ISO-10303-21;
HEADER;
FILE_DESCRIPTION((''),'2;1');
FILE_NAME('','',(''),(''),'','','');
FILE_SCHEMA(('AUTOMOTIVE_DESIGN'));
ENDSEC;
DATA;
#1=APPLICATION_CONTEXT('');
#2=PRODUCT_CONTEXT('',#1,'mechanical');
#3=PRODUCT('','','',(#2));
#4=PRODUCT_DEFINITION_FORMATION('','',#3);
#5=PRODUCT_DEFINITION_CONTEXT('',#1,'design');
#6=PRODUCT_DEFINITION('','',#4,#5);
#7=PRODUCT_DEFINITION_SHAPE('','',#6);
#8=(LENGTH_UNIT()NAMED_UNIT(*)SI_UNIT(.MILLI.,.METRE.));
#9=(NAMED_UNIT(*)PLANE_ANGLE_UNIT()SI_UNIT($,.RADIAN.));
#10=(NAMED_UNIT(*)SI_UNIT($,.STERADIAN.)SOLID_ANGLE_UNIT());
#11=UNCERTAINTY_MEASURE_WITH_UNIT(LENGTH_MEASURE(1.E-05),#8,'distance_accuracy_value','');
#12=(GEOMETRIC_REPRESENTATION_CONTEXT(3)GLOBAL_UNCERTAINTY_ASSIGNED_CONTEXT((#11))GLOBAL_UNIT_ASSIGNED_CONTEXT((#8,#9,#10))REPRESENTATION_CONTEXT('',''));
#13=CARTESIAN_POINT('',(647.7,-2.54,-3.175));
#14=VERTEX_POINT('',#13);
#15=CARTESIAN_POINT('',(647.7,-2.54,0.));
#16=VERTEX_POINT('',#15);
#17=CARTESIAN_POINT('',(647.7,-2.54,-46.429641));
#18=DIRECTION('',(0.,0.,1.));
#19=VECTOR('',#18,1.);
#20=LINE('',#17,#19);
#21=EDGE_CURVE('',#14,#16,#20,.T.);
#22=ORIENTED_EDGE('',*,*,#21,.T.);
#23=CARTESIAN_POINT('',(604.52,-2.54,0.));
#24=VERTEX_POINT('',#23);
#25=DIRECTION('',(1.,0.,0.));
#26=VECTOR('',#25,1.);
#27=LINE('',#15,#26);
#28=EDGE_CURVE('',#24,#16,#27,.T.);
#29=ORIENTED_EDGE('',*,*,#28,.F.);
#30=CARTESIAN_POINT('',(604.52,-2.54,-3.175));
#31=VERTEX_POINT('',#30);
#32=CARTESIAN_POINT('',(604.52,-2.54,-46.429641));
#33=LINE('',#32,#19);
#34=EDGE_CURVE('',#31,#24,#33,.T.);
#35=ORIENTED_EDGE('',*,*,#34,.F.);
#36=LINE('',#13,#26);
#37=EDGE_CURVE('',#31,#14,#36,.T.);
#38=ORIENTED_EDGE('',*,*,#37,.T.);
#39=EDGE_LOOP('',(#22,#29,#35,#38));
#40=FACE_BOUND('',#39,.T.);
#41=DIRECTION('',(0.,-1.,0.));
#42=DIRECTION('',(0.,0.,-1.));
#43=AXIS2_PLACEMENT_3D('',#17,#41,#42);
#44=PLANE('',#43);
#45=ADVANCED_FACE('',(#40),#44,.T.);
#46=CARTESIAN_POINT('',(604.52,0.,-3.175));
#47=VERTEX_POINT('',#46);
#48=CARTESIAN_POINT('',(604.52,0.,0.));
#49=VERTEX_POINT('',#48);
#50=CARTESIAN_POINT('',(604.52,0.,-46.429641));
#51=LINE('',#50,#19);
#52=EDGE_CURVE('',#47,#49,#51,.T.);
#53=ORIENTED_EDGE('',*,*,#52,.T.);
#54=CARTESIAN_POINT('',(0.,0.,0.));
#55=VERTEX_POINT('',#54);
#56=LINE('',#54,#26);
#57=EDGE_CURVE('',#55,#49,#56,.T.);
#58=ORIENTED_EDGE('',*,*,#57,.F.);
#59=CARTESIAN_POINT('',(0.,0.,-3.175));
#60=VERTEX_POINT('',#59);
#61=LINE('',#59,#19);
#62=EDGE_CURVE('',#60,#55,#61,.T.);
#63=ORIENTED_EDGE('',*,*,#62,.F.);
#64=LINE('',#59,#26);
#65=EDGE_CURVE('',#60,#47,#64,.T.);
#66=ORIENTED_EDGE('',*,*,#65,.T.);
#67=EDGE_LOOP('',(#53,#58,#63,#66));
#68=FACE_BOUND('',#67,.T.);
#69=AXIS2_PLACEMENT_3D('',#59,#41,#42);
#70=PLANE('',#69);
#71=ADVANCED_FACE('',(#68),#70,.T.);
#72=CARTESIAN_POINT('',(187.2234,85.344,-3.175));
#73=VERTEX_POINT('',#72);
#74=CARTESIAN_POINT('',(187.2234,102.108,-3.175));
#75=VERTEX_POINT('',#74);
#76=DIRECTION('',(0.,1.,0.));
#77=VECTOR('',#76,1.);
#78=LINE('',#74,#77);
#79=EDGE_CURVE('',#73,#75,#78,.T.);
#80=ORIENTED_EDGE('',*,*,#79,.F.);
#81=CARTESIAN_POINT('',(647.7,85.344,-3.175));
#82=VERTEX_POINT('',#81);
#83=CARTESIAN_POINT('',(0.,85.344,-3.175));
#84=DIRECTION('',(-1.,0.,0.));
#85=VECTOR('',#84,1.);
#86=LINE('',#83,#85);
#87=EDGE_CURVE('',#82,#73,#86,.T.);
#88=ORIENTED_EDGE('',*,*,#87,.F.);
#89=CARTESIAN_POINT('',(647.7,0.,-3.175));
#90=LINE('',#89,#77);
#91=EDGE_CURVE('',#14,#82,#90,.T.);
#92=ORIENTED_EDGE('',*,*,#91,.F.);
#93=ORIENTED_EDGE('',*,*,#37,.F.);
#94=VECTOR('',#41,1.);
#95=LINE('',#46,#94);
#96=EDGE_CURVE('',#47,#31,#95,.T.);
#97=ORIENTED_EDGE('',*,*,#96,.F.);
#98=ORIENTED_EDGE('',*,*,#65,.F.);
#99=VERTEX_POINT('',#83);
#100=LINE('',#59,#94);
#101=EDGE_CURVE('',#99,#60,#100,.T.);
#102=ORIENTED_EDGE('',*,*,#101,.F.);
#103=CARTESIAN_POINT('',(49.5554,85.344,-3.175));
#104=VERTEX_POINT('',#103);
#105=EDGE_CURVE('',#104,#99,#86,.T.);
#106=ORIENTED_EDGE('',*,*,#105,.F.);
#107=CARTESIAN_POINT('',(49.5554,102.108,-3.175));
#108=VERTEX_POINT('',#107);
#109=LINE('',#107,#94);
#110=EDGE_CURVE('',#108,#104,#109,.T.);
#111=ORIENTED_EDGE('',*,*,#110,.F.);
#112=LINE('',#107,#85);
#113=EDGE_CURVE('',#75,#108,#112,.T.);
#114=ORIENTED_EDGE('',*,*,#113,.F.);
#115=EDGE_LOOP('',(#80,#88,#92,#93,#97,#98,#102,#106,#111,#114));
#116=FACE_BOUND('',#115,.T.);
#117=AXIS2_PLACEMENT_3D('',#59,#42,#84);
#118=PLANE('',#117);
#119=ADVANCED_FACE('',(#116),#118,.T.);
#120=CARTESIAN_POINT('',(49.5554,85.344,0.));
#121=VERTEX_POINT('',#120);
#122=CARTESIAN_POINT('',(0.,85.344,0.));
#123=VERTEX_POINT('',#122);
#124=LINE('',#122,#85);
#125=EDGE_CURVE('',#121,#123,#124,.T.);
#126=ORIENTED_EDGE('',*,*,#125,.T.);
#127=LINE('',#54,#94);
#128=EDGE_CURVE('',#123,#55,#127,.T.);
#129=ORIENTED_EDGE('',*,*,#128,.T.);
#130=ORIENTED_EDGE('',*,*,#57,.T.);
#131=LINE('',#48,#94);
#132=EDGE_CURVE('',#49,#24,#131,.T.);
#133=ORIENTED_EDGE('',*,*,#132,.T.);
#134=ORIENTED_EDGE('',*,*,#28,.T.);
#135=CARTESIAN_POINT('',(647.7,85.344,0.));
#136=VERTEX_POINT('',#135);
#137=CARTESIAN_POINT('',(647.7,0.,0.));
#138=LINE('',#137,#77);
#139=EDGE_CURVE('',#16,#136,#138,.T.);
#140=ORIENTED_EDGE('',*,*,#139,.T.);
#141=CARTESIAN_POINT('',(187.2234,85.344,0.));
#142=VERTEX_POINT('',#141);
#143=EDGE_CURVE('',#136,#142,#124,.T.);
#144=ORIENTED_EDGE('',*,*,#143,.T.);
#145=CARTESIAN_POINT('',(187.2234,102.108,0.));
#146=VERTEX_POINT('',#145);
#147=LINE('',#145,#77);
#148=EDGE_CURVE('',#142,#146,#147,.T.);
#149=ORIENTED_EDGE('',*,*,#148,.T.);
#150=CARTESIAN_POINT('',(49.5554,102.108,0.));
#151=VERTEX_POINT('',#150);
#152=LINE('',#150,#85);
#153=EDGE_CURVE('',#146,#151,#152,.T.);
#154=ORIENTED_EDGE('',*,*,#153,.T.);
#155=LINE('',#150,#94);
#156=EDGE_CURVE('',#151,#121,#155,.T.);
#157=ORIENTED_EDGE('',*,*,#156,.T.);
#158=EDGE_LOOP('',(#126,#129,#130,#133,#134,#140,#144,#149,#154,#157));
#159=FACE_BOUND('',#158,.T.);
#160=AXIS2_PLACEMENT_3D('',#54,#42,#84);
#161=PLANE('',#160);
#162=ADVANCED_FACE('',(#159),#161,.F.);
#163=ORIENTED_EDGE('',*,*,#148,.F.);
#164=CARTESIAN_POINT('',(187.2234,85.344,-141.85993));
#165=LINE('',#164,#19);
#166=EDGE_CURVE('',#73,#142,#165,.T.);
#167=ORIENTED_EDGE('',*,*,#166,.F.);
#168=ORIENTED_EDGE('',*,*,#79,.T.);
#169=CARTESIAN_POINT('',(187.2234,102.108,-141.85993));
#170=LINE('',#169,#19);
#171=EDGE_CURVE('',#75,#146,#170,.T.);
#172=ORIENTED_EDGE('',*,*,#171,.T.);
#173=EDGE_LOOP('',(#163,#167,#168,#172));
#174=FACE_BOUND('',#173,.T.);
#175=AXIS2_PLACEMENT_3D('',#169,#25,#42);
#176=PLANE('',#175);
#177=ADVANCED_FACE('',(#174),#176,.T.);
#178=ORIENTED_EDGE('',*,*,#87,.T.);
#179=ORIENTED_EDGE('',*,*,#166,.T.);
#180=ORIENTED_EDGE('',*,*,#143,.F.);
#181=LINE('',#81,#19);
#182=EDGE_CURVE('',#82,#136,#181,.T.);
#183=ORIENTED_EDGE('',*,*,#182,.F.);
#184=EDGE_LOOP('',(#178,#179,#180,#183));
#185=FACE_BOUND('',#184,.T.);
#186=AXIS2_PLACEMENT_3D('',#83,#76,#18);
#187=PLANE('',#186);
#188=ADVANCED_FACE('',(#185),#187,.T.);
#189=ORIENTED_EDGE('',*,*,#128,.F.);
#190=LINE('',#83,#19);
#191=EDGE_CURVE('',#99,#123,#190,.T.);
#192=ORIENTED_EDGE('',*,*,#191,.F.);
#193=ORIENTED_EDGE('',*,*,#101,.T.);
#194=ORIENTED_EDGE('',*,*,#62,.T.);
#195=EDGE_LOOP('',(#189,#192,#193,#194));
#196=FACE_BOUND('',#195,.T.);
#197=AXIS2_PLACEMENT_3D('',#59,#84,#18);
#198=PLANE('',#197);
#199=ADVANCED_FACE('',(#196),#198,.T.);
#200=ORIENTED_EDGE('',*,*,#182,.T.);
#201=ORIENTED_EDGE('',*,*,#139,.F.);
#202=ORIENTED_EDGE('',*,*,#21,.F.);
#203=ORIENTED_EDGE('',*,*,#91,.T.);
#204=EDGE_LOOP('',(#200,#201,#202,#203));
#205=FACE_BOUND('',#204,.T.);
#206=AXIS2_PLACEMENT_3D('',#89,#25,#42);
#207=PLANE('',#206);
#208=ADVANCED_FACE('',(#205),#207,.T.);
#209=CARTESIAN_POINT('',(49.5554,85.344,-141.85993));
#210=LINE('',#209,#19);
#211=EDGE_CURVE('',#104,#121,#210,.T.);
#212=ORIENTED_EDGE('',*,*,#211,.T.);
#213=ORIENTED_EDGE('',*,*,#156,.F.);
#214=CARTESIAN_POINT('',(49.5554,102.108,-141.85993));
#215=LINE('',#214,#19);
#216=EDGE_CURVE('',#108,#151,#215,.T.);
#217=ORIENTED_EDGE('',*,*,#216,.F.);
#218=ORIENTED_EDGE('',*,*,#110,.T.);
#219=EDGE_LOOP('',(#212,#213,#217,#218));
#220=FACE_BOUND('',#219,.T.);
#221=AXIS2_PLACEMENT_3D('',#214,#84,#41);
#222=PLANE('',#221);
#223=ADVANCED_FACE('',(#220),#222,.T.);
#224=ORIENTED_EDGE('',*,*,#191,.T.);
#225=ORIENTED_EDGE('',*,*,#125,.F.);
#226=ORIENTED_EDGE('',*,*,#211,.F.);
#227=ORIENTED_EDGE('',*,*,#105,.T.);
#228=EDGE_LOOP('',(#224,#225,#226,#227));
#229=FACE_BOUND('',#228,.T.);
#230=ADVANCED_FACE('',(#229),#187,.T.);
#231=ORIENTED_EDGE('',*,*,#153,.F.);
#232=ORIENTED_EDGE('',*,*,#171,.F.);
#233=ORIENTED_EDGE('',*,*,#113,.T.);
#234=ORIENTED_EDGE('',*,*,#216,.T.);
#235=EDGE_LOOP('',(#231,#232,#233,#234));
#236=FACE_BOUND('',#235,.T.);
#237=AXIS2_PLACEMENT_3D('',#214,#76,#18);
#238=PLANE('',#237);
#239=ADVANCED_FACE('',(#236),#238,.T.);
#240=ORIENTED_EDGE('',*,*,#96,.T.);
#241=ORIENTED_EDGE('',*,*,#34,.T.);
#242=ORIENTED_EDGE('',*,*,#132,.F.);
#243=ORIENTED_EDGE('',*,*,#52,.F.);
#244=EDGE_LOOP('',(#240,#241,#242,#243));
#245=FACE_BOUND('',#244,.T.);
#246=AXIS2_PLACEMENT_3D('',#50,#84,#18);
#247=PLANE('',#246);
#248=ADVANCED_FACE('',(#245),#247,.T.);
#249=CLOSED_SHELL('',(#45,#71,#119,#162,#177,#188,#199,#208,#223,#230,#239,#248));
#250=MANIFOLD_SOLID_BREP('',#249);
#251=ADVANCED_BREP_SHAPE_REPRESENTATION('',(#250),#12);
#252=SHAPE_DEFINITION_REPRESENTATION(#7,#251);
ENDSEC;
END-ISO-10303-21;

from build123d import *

# Parameters (mm, degrees)
SKETCH1_W           = 647.7
SKETCH1_H           = 85.344
BOSS_EXTRUDE1_DEPTH = 3.175
SKETCH2_W           = 43.18
SKETCH2_H           = 2.54
BOSS_EXTRUDE2_DEPTH = 3.175
SKETCH3_W           = 137.668
SKETCH3_H           = 16.764
BOSS_EXTRUDE3_DEPTH = 3.175


with BuildPart() as part:
    # Sketch1 → Boss-Extrude1 (new body)
    with BuildSketch(Plane.XY):
        with Locations((323.85, 42.672)):
            Rectangle(SKETCH1_W, SKETCH1_H)
    extrude(amount=-BOSS_EXTRUDE1_DEPTH)

    # Sketch2 → Boss-Extrude2 (add)
    with BuildSketch(Plane.XY):
        with Locations((626.11, -1.27)):
            Rectangle(SKETCH2_W, SKETCH2_H)
    extrude(amount=-BOSS_EXTRUDE2_DEPTH)

    # Sketch3 → Boss-Extrude3 (add)
    with BuildSketch(Plane.XY):
        with Locations((118.3894, 93.726)):
            Rectangle(SKETCH3_W, SKETCH3_H)
    extrude(amount=-BOSS_EXTRUDE3_DEPTH)


solid = part.part
